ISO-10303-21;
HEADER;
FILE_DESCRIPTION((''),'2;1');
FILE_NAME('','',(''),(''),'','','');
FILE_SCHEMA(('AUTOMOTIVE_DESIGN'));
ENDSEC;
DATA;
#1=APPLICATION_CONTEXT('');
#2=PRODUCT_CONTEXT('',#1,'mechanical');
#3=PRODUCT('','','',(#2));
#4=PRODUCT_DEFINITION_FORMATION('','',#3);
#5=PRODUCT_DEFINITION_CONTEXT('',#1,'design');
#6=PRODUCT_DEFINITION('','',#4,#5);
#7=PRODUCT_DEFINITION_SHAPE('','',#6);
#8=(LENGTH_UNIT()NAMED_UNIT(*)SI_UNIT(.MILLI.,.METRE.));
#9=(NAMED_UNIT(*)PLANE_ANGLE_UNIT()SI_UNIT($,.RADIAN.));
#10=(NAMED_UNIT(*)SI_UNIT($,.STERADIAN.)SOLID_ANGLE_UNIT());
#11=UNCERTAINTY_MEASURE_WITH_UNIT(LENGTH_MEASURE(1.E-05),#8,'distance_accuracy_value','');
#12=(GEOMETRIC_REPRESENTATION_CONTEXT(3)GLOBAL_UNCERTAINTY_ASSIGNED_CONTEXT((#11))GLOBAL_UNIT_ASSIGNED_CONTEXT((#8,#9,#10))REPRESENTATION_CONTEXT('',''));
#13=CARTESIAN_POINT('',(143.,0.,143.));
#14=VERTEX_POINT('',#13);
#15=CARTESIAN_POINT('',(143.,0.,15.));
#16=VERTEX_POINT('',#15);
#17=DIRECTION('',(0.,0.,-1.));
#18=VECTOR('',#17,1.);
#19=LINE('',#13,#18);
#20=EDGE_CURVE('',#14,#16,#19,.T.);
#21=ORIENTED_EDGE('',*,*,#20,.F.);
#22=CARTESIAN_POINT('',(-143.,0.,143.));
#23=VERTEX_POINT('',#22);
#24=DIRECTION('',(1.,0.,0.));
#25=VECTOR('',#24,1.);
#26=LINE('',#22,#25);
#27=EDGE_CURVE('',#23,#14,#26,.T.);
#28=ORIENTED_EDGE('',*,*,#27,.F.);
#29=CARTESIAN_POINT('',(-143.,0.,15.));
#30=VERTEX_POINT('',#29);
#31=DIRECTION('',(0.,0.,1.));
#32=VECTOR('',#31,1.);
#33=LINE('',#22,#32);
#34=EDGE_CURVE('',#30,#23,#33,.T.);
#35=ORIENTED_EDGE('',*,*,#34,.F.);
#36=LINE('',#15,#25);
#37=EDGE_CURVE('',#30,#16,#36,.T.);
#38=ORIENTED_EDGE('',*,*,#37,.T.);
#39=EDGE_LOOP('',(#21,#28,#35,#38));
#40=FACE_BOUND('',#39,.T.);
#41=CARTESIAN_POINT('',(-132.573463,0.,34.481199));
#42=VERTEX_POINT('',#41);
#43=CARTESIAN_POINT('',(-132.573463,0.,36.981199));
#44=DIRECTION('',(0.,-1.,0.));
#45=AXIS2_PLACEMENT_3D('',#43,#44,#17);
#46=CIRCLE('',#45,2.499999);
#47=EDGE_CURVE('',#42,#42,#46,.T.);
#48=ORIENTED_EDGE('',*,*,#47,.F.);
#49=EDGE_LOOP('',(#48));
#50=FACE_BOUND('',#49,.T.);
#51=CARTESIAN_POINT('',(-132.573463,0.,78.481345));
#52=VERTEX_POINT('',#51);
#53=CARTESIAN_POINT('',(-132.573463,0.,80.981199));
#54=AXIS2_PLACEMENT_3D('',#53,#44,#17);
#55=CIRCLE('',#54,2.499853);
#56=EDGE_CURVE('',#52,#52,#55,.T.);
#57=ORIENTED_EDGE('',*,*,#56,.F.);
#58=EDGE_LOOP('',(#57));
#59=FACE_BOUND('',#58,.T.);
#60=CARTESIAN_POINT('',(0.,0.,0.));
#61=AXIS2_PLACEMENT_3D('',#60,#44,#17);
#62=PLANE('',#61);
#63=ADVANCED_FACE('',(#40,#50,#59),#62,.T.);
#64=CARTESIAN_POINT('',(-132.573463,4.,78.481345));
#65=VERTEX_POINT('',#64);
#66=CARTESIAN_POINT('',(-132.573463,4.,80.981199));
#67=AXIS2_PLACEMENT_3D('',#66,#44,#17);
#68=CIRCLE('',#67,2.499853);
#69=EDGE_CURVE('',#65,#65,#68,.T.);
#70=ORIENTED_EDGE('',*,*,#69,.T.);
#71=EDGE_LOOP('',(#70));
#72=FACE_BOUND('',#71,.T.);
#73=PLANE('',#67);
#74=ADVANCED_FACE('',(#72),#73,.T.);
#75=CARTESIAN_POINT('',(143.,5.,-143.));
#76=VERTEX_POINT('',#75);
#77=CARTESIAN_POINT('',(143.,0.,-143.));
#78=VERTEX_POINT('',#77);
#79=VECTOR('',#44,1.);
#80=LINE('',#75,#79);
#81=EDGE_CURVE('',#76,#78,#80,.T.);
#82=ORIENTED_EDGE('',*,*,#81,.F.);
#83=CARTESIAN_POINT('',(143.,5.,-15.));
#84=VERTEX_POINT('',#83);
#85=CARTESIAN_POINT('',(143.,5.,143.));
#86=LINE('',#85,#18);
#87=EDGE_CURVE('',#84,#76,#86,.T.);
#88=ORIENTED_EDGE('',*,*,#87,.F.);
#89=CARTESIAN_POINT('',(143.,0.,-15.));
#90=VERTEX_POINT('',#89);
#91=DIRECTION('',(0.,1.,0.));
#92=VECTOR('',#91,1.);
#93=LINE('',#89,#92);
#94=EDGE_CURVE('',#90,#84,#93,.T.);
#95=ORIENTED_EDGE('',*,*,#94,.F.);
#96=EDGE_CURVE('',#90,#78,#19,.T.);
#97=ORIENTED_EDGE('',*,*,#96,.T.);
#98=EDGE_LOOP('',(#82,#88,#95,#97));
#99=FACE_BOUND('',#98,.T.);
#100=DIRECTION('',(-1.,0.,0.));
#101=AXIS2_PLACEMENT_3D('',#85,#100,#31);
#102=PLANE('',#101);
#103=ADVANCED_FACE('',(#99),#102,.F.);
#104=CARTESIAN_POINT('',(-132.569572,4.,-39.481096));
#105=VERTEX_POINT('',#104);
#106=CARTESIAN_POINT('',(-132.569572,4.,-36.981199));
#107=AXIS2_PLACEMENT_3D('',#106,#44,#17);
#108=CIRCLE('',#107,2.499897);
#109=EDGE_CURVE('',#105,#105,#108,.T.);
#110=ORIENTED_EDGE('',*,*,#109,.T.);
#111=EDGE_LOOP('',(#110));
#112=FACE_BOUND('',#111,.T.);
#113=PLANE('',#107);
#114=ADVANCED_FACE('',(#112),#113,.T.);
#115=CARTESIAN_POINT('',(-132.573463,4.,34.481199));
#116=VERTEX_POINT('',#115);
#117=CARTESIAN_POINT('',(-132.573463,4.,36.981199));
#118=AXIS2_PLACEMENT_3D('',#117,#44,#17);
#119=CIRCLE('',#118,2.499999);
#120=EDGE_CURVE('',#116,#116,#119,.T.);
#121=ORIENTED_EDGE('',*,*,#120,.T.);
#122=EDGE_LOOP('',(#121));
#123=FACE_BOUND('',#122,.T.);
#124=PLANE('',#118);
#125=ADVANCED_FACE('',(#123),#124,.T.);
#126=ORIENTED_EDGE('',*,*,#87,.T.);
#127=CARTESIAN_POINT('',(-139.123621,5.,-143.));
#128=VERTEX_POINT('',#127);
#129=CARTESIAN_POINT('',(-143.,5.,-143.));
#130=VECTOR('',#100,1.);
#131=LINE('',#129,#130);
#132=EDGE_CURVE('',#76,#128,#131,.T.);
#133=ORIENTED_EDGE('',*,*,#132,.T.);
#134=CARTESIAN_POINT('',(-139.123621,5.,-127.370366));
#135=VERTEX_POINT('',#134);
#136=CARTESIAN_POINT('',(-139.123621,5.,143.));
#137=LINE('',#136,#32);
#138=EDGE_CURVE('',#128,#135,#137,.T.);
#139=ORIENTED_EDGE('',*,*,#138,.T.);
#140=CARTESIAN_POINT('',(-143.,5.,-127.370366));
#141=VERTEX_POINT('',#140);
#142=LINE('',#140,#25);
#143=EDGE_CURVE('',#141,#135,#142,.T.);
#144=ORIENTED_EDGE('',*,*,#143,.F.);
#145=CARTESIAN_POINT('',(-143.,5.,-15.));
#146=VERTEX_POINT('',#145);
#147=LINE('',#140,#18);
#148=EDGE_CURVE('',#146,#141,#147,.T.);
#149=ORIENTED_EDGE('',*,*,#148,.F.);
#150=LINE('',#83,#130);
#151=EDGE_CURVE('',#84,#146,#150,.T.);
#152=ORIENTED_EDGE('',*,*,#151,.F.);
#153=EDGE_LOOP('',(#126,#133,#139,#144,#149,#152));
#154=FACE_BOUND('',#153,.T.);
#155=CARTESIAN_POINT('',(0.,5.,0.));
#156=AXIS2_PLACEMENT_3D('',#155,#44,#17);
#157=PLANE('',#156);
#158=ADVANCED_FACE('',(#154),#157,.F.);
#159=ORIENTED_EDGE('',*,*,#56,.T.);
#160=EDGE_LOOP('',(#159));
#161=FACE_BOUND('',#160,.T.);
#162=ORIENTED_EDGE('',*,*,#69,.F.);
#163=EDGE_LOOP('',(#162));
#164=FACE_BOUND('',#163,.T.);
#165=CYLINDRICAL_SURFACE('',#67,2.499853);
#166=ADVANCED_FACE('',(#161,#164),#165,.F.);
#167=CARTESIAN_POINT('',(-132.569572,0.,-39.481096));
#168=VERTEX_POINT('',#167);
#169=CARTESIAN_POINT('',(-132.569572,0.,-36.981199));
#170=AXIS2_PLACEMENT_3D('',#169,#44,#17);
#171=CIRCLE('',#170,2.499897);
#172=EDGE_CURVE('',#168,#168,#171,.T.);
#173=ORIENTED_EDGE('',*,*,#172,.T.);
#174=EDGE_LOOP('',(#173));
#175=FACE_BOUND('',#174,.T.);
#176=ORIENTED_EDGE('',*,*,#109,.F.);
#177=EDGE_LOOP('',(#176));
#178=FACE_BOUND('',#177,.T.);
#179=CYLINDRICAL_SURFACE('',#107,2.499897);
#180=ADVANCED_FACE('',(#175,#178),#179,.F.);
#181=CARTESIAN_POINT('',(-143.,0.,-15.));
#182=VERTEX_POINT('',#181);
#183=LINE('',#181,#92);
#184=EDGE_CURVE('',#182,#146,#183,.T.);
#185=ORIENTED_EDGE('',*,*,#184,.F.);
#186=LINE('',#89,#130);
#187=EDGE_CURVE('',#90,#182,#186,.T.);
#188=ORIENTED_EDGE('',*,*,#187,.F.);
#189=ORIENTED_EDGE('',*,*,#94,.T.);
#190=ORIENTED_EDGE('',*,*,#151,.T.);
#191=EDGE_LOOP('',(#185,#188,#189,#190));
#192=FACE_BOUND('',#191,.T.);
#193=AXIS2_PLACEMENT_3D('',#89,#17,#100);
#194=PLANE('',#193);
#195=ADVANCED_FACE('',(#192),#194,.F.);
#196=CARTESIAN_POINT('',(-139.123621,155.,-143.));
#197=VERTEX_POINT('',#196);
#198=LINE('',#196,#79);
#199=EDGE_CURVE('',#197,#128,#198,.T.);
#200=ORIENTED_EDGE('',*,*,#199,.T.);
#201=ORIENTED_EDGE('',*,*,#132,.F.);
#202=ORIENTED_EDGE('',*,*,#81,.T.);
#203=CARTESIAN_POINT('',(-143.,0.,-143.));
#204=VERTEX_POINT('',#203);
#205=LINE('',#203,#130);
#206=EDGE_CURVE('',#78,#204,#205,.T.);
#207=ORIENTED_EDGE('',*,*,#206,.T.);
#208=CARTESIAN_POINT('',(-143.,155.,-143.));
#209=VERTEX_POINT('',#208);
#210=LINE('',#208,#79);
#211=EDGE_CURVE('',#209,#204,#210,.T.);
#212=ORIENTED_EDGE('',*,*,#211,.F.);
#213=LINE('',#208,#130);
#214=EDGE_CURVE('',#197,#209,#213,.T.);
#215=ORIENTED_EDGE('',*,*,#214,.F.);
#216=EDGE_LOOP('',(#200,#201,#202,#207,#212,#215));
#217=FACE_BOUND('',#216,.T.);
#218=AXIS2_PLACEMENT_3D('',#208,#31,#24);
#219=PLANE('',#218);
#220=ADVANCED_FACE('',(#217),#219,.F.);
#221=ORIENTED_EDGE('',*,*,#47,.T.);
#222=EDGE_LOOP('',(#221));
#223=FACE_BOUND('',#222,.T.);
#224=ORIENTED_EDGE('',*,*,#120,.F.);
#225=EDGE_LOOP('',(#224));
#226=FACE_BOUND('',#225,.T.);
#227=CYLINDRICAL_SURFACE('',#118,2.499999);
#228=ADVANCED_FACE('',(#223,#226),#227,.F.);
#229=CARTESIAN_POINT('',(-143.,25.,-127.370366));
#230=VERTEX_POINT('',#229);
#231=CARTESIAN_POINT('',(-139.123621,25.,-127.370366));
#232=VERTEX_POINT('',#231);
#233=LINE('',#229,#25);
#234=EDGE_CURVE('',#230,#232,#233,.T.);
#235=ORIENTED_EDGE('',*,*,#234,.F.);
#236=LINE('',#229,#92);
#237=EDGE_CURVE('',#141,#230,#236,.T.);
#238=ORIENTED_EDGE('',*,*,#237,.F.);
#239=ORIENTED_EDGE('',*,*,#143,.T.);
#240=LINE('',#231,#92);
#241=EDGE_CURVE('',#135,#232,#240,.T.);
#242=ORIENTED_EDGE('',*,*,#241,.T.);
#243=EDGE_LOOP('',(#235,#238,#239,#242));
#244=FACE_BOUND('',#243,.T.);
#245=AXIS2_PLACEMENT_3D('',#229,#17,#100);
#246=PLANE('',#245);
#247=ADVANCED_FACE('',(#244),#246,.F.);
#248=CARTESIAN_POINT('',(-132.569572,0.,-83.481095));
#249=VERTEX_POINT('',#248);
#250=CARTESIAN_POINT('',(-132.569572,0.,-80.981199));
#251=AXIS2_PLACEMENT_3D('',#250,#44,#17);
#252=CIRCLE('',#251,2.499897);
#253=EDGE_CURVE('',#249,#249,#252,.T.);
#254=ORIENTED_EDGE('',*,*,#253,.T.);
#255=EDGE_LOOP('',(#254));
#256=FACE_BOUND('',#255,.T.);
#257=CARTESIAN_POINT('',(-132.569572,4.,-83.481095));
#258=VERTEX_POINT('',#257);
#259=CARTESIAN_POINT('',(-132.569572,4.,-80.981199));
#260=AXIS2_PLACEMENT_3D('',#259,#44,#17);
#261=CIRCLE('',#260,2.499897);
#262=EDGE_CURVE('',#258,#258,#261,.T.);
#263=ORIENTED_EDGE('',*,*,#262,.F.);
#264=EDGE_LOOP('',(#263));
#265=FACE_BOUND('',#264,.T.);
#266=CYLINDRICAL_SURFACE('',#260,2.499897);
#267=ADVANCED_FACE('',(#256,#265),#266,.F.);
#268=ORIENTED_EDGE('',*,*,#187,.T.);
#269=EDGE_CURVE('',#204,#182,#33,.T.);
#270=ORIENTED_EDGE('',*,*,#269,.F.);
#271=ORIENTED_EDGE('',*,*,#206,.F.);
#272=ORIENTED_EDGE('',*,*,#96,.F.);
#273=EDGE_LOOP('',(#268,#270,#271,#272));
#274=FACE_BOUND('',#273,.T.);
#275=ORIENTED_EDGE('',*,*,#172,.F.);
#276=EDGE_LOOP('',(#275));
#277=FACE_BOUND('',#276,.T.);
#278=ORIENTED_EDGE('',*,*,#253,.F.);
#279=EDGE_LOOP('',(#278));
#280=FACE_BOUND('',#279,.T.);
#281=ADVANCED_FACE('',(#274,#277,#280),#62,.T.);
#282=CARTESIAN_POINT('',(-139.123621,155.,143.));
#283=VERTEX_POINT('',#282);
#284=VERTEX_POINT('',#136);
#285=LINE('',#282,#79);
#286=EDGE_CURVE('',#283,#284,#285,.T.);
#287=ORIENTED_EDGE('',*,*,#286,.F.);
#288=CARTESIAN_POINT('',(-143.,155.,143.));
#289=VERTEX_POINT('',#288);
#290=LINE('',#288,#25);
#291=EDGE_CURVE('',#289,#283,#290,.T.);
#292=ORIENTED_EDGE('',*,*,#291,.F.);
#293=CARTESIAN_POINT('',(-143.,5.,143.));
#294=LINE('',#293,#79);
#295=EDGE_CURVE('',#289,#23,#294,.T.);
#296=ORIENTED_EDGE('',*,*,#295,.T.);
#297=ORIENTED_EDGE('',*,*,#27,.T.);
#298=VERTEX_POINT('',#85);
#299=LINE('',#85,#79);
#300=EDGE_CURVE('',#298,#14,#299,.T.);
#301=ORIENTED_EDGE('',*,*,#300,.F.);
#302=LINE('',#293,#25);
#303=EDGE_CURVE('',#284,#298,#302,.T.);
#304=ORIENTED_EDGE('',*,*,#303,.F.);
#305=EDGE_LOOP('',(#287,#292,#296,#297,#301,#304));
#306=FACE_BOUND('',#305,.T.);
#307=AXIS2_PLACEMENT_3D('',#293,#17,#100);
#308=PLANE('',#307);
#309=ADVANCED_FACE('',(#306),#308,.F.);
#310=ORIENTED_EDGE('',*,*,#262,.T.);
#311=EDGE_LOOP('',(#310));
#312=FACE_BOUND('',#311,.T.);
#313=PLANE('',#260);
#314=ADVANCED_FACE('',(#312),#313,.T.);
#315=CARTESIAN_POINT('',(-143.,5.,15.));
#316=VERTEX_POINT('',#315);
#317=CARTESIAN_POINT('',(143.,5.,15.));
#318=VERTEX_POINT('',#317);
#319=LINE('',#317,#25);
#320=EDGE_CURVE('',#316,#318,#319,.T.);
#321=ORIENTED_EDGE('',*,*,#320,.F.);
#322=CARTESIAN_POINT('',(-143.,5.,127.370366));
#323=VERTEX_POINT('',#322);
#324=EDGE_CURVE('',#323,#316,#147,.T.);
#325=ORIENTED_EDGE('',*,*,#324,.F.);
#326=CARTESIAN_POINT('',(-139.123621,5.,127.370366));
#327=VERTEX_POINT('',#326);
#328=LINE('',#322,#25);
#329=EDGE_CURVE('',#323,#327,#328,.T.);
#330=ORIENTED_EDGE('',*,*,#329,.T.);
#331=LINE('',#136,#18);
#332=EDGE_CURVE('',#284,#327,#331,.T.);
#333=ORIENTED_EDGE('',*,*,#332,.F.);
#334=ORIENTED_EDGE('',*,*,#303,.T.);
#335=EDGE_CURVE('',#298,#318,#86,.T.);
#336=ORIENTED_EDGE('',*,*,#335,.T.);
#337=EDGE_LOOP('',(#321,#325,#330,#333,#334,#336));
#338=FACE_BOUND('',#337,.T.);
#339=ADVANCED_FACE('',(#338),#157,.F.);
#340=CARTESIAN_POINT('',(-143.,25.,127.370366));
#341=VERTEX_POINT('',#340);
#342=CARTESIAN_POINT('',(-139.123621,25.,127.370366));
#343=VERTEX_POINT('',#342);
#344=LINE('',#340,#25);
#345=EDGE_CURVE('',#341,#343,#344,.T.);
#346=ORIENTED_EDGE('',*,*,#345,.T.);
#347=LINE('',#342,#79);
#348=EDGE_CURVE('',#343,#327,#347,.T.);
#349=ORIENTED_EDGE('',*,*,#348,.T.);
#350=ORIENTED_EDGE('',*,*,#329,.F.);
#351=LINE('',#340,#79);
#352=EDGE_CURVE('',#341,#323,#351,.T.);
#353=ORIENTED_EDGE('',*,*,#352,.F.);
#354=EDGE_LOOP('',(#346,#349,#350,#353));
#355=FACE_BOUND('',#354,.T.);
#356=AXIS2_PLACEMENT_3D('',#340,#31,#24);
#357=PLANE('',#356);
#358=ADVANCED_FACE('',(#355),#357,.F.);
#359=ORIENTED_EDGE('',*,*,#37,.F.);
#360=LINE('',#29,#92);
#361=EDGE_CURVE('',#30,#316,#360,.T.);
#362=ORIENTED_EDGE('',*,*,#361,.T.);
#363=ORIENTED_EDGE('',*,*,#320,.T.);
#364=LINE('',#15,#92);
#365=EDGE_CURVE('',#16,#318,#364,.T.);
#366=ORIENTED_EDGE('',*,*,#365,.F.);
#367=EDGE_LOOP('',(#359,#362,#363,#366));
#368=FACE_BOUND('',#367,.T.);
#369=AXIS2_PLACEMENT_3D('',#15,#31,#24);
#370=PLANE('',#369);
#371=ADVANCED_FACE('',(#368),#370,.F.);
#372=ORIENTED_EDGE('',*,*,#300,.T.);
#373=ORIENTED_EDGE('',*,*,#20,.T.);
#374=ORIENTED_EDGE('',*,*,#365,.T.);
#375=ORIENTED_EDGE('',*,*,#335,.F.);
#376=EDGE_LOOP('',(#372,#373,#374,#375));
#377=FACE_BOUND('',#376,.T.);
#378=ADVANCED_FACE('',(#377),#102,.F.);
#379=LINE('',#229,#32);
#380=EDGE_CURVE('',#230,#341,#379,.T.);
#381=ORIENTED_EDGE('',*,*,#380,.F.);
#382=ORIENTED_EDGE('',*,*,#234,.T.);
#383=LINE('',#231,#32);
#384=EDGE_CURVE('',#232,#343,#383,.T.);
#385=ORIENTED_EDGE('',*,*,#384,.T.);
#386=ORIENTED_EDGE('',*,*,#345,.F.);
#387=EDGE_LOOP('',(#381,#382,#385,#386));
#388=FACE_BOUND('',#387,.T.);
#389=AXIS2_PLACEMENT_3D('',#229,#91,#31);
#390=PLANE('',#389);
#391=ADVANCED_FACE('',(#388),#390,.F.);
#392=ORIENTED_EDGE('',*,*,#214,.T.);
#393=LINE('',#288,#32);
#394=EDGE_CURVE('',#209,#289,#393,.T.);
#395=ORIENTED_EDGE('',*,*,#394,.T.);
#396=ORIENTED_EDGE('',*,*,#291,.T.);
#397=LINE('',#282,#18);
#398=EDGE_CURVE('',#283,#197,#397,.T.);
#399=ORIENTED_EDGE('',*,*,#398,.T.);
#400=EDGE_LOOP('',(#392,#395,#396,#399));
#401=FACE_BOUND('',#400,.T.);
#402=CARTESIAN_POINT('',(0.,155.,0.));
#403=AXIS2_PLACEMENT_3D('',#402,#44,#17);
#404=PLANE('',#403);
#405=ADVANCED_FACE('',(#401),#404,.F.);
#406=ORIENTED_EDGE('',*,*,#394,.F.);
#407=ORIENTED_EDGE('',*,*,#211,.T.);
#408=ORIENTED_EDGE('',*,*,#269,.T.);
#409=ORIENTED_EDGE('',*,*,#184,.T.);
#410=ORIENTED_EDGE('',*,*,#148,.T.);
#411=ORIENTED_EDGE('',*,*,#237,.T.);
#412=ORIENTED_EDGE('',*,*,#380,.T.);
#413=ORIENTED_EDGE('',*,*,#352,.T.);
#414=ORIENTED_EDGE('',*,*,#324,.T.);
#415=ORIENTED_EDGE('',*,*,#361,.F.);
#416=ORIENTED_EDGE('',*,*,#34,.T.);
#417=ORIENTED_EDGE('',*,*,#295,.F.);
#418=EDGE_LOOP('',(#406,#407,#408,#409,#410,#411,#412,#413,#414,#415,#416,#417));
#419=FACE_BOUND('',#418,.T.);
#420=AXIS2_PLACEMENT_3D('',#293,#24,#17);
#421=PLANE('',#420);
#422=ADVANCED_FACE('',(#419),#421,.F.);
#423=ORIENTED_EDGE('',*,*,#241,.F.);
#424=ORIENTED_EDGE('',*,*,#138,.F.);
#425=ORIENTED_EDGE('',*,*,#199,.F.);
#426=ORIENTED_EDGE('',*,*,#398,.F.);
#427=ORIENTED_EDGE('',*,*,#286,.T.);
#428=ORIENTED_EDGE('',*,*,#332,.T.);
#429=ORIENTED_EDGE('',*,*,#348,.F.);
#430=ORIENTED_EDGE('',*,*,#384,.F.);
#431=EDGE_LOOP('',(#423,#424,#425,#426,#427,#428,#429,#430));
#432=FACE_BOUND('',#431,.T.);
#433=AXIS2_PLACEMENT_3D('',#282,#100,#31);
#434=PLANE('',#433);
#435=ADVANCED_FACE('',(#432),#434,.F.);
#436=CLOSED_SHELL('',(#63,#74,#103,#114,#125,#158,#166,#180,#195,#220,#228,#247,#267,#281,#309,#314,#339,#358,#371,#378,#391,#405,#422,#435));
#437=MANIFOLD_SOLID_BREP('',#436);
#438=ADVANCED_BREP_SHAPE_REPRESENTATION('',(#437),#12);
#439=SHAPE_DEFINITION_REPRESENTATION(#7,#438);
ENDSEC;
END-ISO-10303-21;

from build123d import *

# Parameters (mm, degrees)
SKETCH1_W           = 286
SKETCH1_H           = 286
BOSS_EXTRUDE1_DEPTH = 5
SKETCH4_R           = 2.499853141
SKETCH4_R_2         = 2.499999298
SKETCH4_R_3         = 2.499896797
CUT_EXTRUDE1_DEPTH  = 4
SKETCH5_W           = 286
SKETCH5_H           = 30
CUT_EXTRUDE2_DEPTH  = 203.29434001
SKETCH6_W           = 3.876379433
SKETCH6_H           = 286
BOSS_EXTRUDE2_DEPTH = 150
SKETCH7_W           = 254.74073144
SKETCH7_H           = 20
CUT_EXTRUDE3_DEPTH  = 353.232504579


with BuildPart() as part:
    # Sketch1 → Boss-Extrude1 (new body)
    with BuildSketch(Plane(origin=(0, 0, 0), x_dir=(1, 0, 0), z_dir=(0, 1, 0))):
        Rectangle(SKETCH1_W, SKETCH1_H)
    extrude(amount=BOSS_EXTRUDE1_DEPTH)

    # Sketch4 → Cut-Extrude1 (cut)
    with BuildSketch(Plane(origin=(0, 0, 0), x_dir=(-1, 0, 0), z_dir=(0, -1, 0))):
        with Locations(Location((132.573463178, -80.981198503, 0), (0, 0, 90))):
            Circle(SKETCH4_R)
        with Locations(Location((132.573463178, -36.981198619, 0), (0, 0, 90))):
            Circle(SKETCH4_R_2)
        with Locations(Location((132.569572232, 36.981198719, 0), (0, 0, 90))):
            Circle(SKETCH4_R_3)
        with Locations(Location((132.569572232, 80.981198603, 0), (0, 0, 90))):
            Circle(SKETCH4_R_3)
    extrude(amount=-CUT_EXTRUDE1_DEPTH, mode=Mode.SUBTRACT)

    # Sketch5 → Cut-Extrude2 (cut, through all)
    with BuildSketch(Plane(origin=(0, 5, 0), x_dir=(1, 0, 0), z_dir=(0, 1, 0))):
        Rectangle(SKETCH5_W, SKETCH5_H)
    extrude(amount=-CUT_EXTRUDE2_DEPTH, mode=Mode.SUBTRACT)


with BuildPart() as cut_extrude2_piece_1:
    # of the separate pieces the step leaves, piece 1, a body of its own (cut_extrude2_pieces)
    add(part.part.solids().sort_by_distance((-143, 0, -143))[0])



with BuildPart() as cut_extrude2_piece_2:
    # of the separate pieces the step leaves, piece 2, a body of its own (cut_extrude2_pieces)
    add(part.part.solids().sort_by_distance((-143, 0, 143))[0])


with BuildPart() as cut_extrude2_piece_1_1:
    add(cut_extrude2_piece_1.part)

    add(cut_extrude2_piece_2.part)  # Boss-Extrude2 merges Cut-Extrude2 piece 2
    # Sketch6 → Boss-Extrude2 (add)
    with BuildSketch(Plane(origin=(0, 5, 0), x_dir=(1, 0, 0), z_dir=(0, 1, 0))):
        with Locations((-141.061810283, 0)):
            Rectangle(SKETCH6_W, SKETCH6_H)
    extrude(amount=BOSS_EXTRUDE2_DEPTH)

    # Sketch7 → Cut-Extrude3 (cut, through all)
    with BuildSketch(Plane(origin=(-139.123620567, 0, 0), x_dir=(0, 0, -1), z_dir=(1, 0, 0))):
        with Locations((0, 15)):
            Rectangle(SKETCH7_W, SKETCH7_H)
    extrude(amount=-CUT_EXTRUDE3_DEPTH, mode=Mode.SUBTRACT)


solid = cut_extrude2_piece_1_1.part
